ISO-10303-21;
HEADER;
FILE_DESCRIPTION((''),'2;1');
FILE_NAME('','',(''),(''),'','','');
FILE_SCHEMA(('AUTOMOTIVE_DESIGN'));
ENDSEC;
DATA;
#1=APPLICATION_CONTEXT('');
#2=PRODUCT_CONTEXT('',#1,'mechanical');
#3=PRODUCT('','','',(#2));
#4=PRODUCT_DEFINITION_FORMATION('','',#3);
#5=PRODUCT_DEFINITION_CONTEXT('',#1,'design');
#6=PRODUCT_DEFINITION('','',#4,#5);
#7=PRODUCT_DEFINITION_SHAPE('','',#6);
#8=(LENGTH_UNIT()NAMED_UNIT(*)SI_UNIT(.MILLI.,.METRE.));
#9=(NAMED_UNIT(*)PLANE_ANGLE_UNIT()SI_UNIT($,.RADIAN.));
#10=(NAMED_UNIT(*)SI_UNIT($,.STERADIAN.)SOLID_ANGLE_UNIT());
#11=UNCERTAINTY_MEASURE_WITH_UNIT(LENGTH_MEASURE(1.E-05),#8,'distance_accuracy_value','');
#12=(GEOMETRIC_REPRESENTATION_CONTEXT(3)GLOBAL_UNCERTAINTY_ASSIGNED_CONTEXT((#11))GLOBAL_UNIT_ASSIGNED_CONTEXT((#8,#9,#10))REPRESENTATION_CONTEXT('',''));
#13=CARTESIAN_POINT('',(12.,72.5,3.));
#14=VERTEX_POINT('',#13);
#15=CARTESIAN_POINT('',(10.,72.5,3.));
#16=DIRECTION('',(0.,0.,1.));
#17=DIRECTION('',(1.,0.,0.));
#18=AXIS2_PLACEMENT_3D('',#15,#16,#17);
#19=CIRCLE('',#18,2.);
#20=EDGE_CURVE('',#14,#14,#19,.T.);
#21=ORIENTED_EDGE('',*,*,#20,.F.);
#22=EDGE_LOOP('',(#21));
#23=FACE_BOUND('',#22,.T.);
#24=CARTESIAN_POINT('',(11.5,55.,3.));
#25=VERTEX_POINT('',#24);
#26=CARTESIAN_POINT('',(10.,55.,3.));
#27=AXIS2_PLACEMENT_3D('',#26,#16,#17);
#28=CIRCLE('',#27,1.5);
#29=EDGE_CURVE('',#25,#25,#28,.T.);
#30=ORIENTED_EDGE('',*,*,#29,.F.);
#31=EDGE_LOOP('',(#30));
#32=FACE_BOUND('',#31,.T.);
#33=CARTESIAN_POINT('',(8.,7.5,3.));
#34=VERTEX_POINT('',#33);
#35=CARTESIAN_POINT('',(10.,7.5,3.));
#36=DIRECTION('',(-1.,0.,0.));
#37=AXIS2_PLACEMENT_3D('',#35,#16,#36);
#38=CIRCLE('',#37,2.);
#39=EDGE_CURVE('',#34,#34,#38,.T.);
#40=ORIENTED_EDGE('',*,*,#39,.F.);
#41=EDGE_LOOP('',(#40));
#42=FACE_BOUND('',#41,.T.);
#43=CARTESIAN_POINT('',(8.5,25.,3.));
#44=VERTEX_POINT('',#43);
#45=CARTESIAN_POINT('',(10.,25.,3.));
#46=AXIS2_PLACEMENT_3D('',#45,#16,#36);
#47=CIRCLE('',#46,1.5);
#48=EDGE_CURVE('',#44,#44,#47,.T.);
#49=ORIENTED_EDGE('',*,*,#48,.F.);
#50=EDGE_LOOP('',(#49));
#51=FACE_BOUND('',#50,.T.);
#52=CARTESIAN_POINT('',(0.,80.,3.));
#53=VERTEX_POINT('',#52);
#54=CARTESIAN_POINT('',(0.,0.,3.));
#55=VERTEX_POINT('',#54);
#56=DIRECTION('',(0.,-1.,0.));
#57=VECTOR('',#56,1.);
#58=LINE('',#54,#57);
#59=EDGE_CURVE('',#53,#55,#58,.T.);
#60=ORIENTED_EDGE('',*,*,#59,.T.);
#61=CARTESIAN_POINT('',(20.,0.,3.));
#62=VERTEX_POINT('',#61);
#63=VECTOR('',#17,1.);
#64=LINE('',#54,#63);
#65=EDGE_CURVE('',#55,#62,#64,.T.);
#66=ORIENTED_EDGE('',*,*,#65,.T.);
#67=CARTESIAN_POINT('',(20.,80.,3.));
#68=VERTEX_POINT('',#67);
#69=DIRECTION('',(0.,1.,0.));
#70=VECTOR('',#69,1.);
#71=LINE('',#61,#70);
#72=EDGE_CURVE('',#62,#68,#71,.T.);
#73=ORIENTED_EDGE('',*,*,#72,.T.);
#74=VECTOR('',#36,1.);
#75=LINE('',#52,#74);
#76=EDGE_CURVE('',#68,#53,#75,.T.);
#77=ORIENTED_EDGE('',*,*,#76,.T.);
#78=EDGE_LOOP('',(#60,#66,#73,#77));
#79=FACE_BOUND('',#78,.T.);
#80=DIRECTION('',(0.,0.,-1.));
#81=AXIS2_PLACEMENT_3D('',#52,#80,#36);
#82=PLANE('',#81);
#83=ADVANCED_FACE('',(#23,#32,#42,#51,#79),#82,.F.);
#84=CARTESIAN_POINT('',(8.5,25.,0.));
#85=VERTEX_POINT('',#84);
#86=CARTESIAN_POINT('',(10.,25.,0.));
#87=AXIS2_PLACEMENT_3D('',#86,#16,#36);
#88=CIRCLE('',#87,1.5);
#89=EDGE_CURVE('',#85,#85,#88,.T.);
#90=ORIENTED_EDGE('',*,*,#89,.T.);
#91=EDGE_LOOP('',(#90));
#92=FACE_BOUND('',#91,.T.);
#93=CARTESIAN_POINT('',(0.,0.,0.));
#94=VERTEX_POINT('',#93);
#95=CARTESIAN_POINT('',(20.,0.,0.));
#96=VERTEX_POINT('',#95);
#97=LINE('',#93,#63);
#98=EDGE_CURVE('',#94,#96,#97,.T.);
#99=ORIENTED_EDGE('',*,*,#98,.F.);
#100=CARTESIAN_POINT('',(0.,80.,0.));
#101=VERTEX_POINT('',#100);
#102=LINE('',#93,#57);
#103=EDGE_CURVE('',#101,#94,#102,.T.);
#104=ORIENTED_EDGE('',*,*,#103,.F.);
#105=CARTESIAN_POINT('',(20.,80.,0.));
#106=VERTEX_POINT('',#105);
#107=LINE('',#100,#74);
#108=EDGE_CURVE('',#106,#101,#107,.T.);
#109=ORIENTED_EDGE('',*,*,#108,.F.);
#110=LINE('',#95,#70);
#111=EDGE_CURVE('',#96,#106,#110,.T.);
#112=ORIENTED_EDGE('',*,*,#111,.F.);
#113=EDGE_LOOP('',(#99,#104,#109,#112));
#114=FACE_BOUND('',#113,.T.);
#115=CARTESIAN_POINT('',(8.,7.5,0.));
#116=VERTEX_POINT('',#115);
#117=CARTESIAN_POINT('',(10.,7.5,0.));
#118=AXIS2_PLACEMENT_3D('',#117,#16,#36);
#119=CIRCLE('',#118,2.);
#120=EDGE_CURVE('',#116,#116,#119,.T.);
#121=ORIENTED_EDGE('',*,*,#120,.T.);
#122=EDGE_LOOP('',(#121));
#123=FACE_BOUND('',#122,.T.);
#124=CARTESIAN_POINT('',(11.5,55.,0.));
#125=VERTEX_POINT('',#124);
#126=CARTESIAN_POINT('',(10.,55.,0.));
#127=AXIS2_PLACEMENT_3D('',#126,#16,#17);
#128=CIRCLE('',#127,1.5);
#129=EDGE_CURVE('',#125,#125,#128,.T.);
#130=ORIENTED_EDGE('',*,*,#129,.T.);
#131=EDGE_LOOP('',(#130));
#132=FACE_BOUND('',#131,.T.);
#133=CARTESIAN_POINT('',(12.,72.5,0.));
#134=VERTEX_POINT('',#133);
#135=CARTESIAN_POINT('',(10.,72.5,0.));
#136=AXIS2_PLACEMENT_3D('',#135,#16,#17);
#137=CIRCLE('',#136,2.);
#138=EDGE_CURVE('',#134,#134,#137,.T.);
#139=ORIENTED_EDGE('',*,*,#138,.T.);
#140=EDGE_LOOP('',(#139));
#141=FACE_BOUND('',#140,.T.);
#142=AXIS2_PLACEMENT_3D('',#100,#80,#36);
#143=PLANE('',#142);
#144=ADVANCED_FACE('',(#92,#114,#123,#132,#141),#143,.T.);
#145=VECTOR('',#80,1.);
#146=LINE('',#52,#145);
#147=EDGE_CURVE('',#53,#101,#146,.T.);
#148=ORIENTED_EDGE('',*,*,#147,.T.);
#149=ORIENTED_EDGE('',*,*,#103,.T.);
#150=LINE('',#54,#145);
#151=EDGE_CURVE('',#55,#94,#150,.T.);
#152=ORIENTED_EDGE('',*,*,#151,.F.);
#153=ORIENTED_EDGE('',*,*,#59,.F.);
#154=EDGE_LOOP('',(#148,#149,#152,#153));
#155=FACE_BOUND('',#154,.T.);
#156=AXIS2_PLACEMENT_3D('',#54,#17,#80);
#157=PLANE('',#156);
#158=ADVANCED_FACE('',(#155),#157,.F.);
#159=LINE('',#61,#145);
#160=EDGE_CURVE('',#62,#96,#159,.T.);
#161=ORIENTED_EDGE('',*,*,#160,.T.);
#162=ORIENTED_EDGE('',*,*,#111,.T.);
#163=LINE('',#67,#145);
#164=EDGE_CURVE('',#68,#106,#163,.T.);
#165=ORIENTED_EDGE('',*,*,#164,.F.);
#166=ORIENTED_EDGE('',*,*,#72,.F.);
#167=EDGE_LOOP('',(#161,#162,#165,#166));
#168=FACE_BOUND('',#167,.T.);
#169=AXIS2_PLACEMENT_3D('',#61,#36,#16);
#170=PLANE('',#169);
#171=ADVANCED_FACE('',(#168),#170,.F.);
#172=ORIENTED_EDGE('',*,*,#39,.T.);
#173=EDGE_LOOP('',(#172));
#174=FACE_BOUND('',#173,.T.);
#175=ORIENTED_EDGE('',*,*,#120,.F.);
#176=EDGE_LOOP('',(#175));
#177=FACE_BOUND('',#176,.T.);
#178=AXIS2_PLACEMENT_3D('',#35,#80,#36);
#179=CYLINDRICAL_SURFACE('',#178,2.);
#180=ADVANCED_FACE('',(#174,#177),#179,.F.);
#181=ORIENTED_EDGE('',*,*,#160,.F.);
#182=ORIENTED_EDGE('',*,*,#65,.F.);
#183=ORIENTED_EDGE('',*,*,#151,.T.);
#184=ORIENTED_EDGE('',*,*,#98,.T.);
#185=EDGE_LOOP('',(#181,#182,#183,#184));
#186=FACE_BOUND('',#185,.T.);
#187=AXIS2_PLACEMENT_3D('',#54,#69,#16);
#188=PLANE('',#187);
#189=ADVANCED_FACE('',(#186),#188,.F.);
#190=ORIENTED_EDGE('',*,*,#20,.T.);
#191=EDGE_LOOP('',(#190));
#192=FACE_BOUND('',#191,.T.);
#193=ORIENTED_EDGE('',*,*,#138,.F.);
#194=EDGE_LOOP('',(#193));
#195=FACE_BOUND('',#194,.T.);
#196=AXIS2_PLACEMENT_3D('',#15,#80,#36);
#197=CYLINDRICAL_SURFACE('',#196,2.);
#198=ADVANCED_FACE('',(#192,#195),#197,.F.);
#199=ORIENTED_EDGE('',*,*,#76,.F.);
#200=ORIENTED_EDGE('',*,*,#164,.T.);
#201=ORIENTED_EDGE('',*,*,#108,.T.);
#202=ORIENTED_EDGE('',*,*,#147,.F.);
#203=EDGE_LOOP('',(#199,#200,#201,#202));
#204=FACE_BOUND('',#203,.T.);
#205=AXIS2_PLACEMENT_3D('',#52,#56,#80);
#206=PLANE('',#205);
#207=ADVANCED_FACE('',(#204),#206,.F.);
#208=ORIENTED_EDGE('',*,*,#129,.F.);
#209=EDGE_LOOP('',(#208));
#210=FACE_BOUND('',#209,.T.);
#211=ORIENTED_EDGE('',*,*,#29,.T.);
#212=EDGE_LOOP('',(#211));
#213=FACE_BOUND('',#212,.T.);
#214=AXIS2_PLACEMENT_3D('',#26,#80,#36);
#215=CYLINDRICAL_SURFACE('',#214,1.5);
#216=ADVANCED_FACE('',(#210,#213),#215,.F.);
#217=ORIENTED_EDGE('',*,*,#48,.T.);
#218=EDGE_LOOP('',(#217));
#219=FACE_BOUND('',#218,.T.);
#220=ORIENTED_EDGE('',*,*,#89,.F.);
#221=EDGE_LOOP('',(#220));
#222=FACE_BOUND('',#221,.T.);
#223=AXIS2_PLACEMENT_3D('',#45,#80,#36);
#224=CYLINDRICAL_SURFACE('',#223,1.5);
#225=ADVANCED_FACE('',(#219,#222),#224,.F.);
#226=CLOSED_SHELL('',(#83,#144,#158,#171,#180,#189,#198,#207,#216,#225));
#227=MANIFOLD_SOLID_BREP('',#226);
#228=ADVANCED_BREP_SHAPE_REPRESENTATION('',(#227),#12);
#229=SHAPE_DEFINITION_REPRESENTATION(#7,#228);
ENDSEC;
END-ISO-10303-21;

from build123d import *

# Parameters (mm, degrees)
ESQUISSE1_W        = 20
ESQUISSE1_H        = 80
ESQUISSE1_R        = 1.5
ESQUISSE1_R_2      = 2
BOSS_EXTRU_1_DEPTH = 3


with BuildPart() as part:
    # Esquisse1 → Boss.-Extru.1 (new body)
    with BuildSketch(Plane.XY):
        with Locations((10, 40)):
            Rectangle(ESQUISSE1_W, ESQUISSE1_H)
        with Locations((10, 55)):
            Circle(ESQUISSE1_R, mode=Mode.SUBTRACT)
        with Locations((10, 25)):
            Circle(ESQUISSE1_R, mode=Mode.SUBTRACT)
        with Locations((10, 72.5)):
            Circle(ESQUISSE1_R_2, mode=Mode.SUBTRACT)
        with Locations((10, 7.5)):
            Circle(ESQUISSE1_R_2, mode=Mode.SUBTRACT)
    extrude(amount=BOSS_EXTRU_1_DEPTH)


solid = part.part
